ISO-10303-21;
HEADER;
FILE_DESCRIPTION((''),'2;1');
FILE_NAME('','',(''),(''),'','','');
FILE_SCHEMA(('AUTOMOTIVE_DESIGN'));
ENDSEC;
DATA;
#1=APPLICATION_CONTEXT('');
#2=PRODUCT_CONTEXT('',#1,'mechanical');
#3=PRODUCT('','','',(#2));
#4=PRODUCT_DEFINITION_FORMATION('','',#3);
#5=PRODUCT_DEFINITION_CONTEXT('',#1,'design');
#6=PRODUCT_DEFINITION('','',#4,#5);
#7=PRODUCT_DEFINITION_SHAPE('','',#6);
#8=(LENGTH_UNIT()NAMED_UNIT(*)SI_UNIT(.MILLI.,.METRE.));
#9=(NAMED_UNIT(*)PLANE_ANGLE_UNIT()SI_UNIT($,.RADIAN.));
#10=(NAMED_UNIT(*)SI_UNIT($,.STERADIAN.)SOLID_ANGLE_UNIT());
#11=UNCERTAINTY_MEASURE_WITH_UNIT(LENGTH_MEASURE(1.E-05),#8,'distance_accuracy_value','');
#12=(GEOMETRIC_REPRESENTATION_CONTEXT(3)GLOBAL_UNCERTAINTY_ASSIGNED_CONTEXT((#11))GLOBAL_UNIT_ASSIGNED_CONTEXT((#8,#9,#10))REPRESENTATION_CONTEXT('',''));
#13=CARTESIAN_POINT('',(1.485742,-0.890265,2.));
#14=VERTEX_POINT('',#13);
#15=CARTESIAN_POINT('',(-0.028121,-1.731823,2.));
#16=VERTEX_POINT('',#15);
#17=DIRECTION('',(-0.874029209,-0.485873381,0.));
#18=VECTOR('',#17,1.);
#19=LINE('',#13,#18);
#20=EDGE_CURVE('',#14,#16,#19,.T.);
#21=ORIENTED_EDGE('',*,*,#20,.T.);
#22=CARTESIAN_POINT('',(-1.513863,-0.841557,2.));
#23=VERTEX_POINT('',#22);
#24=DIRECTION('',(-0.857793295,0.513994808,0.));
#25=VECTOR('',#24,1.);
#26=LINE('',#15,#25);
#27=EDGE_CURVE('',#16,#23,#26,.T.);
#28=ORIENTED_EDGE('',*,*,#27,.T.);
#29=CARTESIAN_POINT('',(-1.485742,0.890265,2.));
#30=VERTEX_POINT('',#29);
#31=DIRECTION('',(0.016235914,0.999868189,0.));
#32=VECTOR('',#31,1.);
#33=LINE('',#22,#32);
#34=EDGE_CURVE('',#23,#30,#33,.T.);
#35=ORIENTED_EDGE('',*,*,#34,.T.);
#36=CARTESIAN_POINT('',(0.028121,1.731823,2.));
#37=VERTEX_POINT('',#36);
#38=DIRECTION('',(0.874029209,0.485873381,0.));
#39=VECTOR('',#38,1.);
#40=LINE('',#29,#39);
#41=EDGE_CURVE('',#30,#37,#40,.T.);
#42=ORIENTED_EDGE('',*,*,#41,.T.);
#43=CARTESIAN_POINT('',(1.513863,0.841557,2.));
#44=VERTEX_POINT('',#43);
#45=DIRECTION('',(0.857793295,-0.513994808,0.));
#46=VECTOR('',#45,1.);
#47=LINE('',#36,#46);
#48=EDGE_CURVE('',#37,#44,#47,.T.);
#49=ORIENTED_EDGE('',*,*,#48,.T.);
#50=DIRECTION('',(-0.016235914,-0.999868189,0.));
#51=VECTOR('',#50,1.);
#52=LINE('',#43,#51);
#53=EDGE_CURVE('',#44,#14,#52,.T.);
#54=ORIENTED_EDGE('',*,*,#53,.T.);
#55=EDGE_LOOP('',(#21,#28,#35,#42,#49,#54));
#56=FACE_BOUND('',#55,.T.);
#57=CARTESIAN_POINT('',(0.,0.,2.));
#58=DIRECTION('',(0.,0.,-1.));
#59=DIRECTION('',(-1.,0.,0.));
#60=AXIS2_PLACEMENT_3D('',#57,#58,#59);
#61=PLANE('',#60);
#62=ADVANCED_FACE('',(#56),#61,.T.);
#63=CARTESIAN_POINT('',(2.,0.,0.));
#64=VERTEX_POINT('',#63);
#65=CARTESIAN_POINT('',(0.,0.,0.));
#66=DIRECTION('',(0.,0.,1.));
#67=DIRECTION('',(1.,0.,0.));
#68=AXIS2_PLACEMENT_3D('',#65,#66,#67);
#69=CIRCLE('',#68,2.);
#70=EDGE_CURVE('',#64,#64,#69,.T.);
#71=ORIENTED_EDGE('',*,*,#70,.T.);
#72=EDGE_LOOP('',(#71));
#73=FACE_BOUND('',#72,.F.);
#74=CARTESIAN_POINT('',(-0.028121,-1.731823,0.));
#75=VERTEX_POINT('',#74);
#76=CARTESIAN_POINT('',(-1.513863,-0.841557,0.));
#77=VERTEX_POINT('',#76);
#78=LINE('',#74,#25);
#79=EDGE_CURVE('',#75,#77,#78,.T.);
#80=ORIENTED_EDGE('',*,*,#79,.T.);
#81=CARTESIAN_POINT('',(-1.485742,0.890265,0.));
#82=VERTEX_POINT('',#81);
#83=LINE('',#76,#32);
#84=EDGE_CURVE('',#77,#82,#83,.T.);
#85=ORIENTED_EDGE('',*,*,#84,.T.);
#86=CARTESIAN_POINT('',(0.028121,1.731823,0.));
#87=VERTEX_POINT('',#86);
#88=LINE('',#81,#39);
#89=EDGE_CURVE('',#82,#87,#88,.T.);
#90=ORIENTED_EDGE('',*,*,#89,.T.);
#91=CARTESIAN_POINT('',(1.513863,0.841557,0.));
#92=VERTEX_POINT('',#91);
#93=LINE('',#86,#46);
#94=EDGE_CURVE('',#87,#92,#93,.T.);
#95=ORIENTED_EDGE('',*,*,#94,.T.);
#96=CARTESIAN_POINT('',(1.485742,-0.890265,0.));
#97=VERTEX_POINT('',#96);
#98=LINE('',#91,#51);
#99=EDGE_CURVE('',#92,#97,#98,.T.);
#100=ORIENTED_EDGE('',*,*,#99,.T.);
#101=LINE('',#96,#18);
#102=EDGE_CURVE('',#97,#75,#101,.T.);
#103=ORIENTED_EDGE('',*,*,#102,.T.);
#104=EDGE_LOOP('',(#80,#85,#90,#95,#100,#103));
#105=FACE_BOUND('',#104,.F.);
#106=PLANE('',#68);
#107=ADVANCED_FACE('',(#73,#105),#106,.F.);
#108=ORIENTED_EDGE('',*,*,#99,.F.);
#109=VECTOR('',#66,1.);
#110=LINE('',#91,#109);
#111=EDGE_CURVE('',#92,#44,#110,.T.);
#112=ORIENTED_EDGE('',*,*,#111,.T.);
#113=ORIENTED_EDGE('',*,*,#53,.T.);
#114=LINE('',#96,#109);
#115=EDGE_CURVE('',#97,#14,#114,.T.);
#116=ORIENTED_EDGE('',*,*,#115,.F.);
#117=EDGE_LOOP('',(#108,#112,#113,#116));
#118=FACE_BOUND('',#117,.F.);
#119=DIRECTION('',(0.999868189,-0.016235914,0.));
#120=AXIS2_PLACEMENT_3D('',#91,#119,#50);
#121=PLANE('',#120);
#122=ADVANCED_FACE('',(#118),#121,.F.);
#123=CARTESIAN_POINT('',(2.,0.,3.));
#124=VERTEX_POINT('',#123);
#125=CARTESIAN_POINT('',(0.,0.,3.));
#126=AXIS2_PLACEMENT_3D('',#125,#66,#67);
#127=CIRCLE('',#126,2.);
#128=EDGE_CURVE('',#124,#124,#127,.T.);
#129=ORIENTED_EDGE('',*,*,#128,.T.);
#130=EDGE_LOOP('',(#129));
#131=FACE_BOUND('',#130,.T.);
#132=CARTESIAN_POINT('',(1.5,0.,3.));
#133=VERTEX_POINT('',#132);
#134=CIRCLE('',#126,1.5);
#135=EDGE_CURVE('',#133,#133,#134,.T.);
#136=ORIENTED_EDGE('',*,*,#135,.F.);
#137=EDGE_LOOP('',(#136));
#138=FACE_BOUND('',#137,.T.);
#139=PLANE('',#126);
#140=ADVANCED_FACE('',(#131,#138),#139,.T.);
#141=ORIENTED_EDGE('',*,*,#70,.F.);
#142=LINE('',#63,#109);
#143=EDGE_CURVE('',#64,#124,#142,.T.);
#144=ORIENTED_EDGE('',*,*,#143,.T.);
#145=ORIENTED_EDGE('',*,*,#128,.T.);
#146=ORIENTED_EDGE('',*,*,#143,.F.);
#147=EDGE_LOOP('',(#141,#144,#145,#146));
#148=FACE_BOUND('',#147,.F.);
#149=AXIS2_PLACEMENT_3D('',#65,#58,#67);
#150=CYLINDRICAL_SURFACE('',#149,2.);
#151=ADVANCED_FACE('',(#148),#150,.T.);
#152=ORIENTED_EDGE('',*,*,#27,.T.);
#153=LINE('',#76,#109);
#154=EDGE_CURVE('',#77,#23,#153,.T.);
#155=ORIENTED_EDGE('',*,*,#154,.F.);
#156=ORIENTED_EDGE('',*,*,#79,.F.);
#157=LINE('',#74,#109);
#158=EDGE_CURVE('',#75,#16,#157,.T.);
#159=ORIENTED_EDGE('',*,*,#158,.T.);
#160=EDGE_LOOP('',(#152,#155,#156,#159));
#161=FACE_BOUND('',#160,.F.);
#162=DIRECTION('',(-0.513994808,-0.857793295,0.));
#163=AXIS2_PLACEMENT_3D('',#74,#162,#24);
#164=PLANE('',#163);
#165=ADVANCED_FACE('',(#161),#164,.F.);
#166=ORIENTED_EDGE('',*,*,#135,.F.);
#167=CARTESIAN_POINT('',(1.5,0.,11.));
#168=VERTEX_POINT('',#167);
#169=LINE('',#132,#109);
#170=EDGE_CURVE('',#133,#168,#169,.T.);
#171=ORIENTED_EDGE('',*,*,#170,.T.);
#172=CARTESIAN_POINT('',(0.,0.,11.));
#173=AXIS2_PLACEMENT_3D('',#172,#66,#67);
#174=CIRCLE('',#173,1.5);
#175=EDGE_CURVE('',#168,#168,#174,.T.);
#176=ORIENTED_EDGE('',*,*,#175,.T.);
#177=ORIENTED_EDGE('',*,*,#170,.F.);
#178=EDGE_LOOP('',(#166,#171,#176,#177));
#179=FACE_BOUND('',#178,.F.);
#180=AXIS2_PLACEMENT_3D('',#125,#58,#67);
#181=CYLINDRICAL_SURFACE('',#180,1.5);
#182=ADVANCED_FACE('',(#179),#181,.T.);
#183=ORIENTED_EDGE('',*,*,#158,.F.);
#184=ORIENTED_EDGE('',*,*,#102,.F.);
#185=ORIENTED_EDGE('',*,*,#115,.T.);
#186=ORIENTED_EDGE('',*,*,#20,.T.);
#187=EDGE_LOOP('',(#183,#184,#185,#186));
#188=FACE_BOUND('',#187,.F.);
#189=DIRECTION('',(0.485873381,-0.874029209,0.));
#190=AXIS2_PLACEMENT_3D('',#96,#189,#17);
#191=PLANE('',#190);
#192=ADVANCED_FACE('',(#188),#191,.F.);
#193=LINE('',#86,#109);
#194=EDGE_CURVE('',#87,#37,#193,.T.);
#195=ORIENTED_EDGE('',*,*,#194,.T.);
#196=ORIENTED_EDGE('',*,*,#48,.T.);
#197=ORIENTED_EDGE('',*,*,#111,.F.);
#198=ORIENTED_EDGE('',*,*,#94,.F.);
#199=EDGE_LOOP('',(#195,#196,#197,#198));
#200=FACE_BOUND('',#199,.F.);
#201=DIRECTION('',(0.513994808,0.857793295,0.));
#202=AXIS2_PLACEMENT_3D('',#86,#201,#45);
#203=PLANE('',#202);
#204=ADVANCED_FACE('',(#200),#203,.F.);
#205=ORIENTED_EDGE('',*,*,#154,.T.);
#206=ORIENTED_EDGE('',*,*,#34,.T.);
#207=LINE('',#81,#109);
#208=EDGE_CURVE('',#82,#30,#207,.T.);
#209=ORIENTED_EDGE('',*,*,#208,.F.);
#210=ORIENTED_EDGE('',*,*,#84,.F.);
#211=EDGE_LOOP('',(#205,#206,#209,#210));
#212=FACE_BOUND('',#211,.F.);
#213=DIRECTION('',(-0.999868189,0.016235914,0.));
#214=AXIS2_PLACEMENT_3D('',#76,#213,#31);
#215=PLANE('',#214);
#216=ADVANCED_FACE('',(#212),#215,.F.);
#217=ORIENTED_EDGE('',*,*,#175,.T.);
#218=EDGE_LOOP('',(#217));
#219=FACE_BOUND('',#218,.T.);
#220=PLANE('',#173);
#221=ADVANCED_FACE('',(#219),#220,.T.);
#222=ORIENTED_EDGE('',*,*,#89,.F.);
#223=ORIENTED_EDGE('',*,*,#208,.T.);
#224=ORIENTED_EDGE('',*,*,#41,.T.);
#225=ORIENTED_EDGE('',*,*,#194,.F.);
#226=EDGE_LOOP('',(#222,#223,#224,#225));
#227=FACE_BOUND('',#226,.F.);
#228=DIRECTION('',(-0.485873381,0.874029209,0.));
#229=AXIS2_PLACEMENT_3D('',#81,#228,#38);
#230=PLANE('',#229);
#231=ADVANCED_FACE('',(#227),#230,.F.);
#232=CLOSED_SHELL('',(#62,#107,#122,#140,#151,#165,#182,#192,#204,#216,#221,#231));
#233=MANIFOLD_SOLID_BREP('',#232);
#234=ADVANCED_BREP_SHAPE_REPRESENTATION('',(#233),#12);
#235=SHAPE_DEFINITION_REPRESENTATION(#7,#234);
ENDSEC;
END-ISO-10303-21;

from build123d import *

# Parameters (mm, degrees)
SKETCH_1_R          = 2
EXTRUDE_1_DEPTH     = 3
SKETCH_2_R          = 1.5
EXTRUDE_2_DEPTH     = 8
CUT_EXTRUDE_1_DEPTH = 2


with BuildPart() as part:
    # 草图1 → 凸台-拉伸1 (new body)
    with BuildSketch(Plane.XY):
        Circle(SKETCH_1_R)
    extrude(amount=EXTRUDE_1_DEPTH)

    # 草图2 → 凸台-拉伸2 (add)
    with BuildSketch(Plane.XY.offset(3)):
        Circle(SKETCH_2_R)
    extrude(amount=EXTRUDE_2_DEPTH)

    # 草图3 → 切除-拉伸1 (cut)
    with BuildSketch(Plane(origin=(0, 0, 0), x_dir=(-1, 0, 0), z_dir=(0, 0, -1))):
        Polygon((1.513862997, -0.841557381), (1.485741569, 0.890265123), (-0.028121428, 1.731822504), (-1.513862997, 0.841557381), (-1.485741569, -0.890265123), (0.028121428, -1.731822504), align=None)
    extrude(amount=-CUT_EXTRUDE_1_DEPTH, mode=Mode.SUBTRACT)


solid = part.part
